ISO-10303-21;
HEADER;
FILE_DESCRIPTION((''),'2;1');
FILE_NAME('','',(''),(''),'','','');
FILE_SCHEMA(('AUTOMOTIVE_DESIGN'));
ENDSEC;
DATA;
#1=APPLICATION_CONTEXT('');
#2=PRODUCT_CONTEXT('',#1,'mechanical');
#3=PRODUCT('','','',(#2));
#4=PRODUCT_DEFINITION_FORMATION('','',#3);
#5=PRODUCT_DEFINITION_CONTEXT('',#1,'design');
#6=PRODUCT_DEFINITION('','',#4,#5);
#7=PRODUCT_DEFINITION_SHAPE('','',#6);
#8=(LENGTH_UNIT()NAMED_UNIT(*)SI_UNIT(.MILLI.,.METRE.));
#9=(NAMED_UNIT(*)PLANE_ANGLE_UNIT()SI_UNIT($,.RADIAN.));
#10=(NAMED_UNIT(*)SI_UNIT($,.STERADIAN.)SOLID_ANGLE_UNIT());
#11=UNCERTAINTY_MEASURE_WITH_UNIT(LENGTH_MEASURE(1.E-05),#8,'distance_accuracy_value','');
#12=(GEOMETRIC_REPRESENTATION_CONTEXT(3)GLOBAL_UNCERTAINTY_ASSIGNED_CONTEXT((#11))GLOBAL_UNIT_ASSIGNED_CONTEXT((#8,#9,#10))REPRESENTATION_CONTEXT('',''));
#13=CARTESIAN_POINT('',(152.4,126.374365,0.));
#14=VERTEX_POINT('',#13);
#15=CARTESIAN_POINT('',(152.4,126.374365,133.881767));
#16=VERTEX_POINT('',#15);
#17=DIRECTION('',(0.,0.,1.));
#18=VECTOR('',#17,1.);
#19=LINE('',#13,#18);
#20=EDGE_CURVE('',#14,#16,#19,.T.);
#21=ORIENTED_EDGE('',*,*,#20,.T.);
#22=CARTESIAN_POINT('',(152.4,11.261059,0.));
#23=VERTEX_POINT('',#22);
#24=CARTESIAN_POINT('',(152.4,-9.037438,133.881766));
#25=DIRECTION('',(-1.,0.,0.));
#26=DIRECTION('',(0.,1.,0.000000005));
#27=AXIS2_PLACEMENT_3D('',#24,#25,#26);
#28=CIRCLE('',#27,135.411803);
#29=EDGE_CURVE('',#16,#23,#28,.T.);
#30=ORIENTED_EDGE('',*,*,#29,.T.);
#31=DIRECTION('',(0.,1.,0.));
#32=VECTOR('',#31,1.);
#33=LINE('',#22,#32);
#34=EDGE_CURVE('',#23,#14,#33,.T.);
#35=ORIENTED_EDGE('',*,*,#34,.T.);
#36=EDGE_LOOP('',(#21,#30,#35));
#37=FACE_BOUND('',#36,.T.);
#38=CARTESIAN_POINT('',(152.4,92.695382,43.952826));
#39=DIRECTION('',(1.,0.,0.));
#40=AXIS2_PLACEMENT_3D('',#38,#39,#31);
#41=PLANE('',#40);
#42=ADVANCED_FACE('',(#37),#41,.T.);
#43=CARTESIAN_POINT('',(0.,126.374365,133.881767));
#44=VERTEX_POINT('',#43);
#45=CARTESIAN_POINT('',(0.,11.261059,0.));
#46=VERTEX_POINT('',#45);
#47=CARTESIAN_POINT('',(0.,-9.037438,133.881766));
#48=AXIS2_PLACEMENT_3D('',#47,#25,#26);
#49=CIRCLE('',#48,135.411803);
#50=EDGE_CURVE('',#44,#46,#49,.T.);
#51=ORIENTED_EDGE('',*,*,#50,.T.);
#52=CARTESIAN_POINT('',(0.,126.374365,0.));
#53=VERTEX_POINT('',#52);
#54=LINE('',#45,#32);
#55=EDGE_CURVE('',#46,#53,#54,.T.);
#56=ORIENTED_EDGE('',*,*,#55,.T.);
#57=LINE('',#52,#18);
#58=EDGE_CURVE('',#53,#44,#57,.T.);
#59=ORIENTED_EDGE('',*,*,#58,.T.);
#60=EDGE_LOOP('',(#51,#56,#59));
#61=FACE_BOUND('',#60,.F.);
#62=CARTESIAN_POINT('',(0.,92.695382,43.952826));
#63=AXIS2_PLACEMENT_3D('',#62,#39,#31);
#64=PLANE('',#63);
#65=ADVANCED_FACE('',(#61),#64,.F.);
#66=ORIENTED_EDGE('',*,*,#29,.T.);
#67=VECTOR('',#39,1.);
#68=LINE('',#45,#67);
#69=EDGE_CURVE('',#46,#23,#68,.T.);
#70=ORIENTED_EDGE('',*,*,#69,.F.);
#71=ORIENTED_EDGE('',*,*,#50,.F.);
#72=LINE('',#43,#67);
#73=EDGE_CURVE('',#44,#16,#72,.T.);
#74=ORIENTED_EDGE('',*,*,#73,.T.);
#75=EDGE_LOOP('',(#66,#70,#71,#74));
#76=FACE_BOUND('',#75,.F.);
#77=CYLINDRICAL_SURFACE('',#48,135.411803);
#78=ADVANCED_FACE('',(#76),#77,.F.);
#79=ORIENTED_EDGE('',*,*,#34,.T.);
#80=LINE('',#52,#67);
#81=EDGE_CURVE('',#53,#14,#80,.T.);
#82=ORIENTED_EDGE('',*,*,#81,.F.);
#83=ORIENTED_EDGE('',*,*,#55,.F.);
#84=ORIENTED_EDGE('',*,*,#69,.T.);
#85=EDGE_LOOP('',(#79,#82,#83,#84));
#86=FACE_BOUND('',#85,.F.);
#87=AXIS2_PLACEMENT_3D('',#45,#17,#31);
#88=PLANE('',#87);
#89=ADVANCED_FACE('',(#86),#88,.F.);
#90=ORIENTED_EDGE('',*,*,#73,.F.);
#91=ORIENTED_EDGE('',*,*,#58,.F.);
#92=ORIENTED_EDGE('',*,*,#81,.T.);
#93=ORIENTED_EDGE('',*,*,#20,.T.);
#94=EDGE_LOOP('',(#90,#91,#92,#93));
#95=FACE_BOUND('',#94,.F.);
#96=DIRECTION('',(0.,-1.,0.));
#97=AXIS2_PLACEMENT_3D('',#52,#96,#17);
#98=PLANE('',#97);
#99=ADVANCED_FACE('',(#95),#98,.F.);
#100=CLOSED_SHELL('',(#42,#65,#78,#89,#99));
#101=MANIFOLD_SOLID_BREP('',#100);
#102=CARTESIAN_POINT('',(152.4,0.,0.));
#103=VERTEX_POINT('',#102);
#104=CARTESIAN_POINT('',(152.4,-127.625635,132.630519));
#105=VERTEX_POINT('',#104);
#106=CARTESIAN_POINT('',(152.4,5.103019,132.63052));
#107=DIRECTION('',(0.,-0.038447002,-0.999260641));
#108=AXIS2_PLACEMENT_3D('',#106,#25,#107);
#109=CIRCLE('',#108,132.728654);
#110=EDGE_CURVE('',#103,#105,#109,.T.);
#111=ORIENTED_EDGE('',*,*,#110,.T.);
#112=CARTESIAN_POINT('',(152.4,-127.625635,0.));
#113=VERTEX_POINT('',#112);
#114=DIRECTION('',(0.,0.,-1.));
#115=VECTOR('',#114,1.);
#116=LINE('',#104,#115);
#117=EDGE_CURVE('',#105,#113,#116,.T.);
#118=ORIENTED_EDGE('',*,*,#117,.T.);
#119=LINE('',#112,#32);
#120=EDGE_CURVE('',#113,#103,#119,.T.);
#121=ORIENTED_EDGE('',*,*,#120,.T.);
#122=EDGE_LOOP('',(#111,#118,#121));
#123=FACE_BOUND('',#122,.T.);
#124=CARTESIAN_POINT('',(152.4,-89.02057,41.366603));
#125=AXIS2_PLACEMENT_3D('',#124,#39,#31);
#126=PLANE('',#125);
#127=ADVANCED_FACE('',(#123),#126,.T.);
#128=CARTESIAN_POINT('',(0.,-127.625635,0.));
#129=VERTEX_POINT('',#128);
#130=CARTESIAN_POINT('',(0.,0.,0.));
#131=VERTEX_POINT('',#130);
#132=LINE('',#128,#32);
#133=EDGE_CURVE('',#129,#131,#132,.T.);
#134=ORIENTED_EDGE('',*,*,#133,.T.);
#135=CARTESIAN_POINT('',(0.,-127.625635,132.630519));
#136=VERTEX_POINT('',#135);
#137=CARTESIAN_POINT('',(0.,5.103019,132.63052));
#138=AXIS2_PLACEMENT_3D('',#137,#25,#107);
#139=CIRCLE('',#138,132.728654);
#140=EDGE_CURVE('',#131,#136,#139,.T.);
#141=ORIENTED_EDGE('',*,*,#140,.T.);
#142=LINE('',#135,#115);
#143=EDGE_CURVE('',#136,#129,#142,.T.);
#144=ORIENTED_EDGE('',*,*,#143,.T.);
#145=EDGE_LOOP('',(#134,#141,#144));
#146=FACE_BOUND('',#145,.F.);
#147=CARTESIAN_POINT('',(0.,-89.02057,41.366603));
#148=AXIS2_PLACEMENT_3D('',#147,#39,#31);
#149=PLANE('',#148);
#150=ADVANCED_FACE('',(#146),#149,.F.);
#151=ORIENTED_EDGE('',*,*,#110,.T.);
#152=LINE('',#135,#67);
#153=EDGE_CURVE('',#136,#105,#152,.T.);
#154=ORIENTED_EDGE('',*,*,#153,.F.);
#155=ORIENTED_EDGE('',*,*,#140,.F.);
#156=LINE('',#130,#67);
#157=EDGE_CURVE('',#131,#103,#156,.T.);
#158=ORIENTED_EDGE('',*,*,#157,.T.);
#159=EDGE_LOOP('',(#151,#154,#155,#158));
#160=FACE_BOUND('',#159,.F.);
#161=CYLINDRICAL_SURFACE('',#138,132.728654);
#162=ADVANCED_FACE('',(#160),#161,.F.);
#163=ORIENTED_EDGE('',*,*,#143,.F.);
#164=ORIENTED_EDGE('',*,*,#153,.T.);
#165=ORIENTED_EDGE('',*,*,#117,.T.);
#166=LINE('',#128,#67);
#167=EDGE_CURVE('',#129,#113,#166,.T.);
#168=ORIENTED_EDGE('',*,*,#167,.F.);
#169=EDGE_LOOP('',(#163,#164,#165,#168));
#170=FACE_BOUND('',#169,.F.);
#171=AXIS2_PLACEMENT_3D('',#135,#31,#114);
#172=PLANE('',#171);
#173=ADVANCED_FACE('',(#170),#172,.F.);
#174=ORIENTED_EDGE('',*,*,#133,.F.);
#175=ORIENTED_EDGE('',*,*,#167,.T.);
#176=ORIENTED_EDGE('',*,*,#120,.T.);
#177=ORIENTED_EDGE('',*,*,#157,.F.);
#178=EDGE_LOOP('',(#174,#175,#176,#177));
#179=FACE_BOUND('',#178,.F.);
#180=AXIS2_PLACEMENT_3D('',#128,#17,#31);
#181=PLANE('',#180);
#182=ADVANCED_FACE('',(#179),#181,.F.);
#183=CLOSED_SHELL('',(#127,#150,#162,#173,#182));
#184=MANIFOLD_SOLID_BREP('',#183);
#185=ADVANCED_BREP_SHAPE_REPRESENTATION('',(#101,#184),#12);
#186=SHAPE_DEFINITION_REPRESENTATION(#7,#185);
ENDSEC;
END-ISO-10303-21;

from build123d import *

# Parameters (mm, degrees)
F1_DEPTH = 152.4


with BuildPart() as f1:
    # F0 (on Right) → F1 (new body)
    with BuildSketch(Plane.YZ):
        with BuildLine():
            ThreePointArc((126.374365, 133.881767), (93.63927, 45.598982), (11.261059, 0))
            Line((11.261059, 0), (126.374365, 0))
            Line((126.374365, 0), (126.374365, 133.881767))
        make_face()
        with BuildLine():
            Line((-127.625635, 132.630519), (-127.625635, 0))
            Line((-127.625635, 0), (0, 0))
            ThreePointArc((0, 0), (-90.537486, 40.599061), (-127.625635, 132.630519))
        make_face()
    extrude(amount=F1_DEPTH)


solid = f1.part
